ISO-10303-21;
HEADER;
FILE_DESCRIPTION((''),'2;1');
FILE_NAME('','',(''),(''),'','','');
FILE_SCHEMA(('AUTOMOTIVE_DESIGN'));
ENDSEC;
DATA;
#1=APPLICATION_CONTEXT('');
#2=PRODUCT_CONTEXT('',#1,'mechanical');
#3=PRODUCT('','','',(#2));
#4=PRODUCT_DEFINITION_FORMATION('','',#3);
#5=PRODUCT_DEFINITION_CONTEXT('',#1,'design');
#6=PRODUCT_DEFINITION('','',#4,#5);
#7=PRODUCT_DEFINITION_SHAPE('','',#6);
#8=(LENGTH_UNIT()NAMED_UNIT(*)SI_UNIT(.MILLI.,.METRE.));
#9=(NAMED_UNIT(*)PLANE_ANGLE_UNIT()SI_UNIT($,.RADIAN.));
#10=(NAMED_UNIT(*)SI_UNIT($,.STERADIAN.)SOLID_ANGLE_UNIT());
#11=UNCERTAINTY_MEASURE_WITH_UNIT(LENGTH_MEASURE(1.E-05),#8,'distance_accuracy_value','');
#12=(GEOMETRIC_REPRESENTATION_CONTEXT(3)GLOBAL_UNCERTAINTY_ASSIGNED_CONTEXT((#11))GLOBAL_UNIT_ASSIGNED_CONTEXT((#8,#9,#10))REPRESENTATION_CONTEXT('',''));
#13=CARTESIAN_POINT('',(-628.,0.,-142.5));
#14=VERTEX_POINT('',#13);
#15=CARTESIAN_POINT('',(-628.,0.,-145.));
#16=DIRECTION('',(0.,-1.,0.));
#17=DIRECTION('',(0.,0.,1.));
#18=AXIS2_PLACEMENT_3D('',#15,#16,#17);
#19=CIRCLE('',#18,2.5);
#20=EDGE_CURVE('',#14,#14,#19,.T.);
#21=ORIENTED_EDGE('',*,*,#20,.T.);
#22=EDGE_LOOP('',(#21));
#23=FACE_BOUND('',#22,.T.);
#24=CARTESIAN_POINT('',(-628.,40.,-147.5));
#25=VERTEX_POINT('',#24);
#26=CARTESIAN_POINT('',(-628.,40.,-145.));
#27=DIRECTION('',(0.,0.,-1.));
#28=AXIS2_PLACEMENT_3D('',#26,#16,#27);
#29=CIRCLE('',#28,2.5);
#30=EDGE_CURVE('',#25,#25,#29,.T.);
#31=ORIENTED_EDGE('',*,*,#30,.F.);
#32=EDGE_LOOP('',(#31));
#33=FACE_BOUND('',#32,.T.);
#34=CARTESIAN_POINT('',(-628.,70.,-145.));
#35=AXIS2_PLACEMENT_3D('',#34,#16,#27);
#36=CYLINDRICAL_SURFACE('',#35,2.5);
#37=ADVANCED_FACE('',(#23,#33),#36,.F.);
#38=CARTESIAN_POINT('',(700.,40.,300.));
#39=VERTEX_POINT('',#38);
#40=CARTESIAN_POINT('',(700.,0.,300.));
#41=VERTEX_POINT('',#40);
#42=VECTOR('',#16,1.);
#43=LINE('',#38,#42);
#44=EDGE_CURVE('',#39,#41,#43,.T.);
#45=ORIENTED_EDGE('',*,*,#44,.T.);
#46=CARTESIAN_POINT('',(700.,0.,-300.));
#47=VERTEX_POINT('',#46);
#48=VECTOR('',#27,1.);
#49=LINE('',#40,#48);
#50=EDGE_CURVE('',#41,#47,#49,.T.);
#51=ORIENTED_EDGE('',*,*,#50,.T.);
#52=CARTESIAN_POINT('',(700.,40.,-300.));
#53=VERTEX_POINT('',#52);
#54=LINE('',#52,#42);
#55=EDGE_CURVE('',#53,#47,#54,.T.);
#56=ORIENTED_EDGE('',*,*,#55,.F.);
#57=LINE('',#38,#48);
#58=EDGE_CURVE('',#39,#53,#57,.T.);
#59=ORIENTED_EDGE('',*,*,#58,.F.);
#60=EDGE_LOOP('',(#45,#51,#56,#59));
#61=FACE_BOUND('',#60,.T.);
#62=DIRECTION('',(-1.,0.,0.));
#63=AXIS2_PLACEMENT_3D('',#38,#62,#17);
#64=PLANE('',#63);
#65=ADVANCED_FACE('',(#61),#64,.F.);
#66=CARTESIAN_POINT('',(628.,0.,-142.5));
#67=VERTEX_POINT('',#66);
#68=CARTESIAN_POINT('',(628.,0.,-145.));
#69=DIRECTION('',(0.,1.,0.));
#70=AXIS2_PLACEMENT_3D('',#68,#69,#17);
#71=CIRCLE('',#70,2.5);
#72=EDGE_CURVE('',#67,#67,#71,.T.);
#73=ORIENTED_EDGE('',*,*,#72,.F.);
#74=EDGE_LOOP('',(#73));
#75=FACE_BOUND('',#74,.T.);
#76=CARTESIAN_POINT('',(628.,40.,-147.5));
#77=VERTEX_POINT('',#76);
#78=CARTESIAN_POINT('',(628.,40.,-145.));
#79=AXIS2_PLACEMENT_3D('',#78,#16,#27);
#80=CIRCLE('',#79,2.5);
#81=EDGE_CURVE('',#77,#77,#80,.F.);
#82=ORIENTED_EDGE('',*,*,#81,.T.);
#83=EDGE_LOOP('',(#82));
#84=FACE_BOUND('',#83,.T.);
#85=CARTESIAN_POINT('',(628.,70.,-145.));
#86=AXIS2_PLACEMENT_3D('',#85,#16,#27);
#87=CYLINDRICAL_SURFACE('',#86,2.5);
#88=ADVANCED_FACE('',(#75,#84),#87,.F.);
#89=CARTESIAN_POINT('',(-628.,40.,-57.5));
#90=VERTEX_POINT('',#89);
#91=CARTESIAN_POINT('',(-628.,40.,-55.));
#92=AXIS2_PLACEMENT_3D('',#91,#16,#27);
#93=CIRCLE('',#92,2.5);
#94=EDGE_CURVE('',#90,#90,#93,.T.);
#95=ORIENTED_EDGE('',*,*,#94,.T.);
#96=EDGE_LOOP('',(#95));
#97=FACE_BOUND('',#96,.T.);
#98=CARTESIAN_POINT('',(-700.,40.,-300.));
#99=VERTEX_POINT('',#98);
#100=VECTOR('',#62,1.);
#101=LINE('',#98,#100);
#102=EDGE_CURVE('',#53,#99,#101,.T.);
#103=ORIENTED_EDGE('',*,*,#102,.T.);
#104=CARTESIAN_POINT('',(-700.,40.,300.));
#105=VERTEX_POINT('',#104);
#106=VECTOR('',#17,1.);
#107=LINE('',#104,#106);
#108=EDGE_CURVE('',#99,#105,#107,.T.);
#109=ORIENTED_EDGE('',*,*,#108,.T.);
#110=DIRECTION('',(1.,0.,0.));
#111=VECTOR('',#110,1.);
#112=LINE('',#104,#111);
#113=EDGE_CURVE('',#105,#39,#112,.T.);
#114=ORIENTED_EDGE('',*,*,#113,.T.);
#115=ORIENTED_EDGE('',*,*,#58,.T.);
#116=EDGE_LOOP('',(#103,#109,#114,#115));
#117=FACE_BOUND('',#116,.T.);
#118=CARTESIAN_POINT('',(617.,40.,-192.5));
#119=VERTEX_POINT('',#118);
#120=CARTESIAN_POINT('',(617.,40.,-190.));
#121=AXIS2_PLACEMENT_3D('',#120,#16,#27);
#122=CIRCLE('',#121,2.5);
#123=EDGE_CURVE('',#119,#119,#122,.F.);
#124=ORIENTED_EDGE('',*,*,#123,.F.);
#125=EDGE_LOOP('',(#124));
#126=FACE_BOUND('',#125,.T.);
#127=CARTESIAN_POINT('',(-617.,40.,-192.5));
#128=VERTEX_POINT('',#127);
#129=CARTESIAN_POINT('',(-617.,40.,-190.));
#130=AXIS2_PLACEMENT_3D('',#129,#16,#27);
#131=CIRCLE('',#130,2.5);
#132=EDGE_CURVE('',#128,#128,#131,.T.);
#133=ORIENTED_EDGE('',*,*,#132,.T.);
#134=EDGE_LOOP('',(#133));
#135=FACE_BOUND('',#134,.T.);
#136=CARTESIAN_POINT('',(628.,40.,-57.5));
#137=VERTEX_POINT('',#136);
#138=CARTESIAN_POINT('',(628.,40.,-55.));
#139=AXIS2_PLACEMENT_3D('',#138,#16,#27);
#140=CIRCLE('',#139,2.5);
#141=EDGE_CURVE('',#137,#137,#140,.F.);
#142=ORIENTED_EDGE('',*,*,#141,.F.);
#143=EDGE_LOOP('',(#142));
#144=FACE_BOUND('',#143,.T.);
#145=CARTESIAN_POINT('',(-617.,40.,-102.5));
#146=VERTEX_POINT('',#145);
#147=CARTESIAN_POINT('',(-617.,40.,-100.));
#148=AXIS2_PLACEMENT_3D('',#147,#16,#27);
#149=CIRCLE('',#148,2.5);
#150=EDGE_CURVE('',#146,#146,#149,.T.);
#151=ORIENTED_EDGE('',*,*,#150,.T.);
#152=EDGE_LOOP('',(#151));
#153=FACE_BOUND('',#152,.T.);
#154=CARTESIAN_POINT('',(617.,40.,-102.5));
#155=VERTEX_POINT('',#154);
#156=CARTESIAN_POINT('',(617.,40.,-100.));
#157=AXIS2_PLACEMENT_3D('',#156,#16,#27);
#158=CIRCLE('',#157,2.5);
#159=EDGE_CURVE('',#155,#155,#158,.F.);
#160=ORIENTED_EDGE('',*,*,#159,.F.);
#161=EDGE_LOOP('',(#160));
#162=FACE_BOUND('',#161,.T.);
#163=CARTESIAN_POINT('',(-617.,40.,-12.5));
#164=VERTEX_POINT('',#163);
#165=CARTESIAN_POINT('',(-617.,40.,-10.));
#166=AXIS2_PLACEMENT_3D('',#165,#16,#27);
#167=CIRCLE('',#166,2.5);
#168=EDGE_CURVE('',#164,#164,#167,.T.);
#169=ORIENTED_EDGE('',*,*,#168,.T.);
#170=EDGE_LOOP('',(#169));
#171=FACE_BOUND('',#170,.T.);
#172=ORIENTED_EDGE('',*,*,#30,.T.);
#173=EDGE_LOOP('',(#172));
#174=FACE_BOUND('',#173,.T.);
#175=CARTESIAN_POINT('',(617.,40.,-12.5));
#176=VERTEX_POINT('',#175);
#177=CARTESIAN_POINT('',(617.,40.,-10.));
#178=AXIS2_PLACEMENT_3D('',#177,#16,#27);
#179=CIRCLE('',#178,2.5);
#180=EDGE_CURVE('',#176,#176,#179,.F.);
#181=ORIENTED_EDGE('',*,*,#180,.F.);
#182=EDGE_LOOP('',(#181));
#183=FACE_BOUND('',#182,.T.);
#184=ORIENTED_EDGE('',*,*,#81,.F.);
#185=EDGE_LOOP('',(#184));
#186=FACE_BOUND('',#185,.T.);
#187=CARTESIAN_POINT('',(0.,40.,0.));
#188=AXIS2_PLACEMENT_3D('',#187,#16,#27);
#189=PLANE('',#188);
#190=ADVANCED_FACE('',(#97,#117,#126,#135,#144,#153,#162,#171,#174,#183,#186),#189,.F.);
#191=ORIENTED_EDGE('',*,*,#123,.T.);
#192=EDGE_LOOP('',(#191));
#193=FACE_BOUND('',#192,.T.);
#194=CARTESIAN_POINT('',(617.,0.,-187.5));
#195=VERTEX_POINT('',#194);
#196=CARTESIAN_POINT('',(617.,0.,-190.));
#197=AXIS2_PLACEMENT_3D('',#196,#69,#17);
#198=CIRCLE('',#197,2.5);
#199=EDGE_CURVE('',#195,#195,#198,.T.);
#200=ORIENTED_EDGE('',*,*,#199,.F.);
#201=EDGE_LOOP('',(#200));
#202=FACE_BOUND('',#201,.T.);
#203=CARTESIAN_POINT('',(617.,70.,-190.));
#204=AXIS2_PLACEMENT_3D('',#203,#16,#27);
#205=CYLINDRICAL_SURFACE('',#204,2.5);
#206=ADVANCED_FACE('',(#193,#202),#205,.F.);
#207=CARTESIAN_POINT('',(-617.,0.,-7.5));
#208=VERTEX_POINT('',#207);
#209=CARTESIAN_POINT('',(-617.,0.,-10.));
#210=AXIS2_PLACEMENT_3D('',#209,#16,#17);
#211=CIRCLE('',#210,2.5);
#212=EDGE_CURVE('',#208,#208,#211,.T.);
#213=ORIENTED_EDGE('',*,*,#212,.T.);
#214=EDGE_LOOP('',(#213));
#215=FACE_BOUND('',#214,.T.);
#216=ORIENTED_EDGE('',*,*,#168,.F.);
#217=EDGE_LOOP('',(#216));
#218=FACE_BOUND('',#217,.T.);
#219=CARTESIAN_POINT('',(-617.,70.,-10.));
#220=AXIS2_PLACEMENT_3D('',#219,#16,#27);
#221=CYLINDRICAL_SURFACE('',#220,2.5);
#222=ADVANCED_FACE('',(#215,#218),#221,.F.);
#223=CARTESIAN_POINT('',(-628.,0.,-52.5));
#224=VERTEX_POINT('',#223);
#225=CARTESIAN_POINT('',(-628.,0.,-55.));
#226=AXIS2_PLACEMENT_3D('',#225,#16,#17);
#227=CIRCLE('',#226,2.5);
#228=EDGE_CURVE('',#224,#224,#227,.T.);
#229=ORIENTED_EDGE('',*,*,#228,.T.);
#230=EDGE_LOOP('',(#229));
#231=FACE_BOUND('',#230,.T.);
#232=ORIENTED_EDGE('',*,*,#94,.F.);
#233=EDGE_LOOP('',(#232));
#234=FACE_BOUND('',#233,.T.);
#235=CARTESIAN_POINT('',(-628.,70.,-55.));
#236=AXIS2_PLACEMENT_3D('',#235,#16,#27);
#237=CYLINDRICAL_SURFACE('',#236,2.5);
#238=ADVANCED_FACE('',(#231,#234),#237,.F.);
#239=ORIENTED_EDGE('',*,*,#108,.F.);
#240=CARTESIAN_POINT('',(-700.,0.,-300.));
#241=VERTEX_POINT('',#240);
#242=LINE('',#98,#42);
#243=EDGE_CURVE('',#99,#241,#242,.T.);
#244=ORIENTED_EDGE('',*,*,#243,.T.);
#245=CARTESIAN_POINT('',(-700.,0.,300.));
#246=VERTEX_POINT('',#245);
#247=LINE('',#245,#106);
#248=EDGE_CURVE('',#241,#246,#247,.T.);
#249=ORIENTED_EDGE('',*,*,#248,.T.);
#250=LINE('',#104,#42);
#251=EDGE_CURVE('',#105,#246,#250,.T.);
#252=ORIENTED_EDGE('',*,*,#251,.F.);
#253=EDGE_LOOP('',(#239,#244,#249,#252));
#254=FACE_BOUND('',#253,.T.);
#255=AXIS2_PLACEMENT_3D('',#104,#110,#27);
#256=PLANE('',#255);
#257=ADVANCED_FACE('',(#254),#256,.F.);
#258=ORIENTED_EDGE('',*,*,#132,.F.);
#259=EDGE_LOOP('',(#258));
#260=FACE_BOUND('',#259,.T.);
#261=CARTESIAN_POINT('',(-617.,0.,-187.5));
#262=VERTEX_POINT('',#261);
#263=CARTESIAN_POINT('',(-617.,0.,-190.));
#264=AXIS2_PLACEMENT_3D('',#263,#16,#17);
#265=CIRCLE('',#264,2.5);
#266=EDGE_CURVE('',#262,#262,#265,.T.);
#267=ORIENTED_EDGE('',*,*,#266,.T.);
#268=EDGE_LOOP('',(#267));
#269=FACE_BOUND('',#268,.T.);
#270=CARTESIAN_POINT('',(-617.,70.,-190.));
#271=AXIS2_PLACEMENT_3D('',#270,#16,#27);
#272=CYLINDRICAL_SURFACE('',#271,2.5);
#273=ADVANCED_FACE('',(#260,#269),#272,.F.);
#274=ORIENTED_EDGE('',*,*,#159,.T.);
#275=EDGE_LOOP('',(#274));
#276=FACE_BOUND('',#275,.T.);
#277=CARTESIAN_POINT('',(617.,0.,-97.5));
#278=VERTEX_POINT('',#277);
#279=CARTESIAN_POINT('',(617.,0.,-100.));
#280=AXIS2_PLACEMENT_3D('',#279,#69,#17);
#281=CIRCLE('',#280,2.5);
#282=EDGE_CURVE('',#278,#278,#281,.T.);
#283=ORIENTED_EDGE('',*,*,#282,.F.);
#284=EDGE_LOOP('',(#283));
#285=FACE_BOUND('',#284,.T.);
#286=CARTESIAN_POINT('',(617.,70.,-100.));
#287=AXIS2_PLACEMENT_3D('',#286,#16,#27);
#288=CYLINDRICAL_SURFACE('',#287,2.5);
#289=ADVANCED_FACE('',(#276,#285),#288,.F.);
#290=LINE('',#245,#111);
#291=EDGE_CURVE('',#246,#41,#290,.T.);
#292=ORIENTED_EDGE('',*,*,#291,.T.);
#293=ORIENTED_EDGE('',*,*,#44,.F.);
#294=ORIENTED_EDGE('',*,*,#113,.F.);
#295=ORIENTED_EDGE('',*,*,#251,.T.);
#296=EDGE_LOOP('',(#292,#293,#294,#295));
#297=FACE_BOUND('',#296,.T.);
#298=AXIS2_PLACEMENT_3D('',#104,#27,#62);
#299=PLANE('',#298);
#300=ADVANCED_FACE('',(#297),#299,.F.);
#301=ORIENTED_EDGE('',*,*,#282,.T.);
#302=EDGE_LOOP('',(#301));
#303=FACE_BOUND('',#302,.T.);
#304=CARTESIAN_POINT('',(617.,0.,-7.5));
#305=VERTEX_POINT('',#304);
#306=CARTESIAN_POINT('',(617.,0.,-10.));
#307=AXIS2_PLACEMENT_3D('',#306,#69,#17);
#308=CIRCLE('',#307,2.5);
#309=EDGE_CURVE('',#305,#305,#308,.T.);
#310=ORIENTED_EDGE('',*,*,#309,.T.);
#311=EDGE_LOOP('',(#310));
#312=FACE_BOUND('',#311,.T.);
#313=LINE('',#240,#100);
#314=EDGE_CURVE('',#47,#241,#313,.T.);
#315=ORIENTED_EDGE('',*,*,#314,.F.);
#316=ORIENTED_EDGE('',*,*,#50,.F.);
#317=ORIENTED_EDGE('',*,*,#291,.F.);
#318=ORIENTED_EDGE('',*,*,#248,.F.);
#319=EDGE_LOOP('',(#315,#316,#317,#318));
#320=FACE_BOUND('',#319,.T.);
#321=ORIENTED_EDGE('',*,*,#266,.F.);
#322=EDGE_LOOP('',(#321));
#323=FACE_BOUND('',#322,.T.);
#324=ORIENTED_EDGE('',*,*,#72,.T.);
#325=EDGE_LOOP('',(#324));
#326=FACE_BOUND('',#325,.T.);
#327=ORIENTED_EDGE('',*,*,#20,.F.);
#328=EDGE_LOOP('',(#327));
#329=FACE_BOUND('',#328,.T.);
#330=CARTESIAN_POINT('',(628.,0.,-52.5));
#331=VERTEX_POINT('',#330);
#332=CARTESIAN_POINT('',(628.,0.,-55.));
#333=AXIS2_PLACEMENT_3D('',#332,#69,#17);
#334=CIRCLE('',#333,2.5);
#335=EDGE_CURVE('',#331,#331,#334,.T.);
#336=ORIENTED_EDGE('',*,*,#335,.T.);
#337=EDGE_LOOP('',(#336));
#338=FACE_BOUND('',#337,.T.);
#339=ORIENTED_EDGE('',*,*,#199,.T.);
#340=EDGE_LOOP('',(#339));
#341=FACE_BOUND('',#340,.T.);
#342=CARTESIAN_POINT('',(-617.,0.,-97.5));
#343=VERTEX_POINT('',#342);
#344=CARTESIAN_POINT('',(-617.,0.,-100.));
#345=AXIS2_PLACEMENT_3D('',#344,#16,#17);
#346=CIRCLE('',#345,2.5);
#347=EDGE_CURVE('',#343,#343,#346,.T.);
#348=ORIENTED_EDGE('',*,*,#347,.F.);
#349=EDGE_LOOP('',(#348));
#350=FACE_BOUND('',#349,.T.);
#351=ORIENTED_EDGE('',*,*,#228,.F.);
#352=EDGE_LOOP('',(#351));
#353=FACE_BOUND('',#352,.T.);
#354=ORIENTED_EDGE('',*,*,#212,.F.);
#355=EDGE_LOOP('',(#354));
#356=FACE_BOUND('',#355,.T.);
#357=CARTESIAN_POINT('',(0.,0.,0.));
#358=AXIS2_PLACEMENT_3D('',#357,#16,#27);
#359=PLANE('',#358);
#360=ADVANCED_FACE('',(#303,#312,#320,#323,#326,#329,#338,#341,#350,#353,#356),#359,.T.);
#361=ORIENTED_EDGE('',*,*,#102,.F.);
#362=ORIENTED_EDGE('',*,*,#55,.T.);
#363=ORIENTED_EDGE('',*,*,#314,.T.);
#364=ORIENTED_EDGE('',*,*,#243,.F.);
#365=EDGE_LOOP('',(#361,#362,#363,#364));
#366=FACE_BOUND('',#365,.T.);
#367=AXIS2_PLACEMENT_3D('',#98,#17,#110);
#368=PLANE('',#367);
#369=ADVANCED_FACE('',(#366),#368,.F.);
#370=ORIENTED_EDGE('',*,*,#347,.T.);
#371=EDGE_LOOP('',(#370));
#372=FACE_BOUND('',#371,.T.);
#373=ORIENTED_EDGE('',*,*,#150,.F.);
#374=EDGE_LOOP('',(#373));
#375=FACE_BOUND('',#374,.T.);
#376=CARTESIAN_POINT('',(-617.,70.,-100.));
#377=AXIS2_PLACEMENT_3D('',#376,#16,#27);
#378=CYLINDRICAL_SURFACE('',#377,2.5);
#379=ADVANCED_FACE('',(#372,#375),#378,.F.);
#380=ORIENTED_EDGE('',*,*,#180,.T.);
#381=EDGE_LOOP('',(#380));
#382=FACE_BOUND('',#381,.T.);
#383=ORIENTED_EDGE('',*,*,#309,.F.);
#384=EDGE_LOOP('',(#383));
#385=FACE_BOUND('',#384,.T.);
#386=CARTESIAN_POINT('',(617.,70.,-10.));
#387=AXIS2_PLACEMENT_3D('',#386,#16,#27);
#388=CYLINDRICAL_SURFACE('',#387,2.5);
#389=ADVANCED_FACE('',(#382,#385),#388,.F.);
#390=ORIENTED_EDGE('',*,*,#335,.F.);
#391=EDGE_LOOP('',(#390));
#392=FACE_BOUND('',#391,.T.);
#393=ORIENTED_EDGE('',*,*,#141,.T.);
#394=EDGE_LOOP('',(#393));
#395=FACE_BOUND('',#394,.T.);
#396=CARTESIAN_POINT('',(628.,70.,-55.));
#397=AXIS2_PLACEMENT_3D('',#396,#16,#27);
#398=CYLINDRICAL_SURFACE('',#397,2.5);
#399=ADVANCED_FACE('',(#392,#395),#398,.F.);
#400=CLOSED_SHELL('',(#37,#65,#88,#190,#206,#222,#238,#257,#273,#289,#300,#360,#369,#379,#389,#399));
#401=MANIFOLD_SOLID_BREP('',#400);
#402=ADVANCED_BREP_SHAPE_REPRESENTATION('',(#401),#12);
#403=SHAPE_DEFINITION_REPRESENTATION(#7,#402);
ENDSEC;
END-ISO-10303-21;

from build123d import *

# Parameters (mm, degrees)
SKETCH1_W           = 1400
SKETCH1_H           = 600
BOSS_EXTRUDE1_DEPTH = 40
SKETCH2_R           = 2.5
CUT_EXTRUDE9_DEPTH  = 70


with BuildPart() as part:
    # Sketch1 → Boss-Extrude1 (new body)
    with BuildSketch(Plane(origin=(0, 0, 0), x_dir=(1, 0, 0), z_dir=(0, 1, 0))):
        Rectangle(SKETCH1_W, SKETCH1_H)
    extrude(amount=BOSS_EXTRUDE1_DEPTH)

    # Sketch2 → Cut-Extrude9 (cut)
    with BuildSketch(Plane(origin=(0, 0, 0), x_dir=(1, 0, 0), z_dir=(0, 1, 0))):
        with Locations(Location((617, 10, 0), (0, 0, 90))):
            Circle(SKETCH2_R)
        with Locations(Location((628, 55, 0), (0, 0, 90))):
            Circle(SKETCH2_R)
        with Locations(Location((617, 100, 0), (0, 0, 90))):
            Circle(SKETCH2_R)
        with Locations(Location((628, 145, 0), (0, 0, 90))):
            Circle(SKETCH2_R)
        with Locations(Location((617, 190, 0), (0, 0, 90))):
            Circle(SKETCH2_R)
    cut_extrude9 = extrude(amount=CUT_EXTRUDE9_DEPTH, mode=Mode.SUBTRACT)

    # Mirror1: Cut-Extrude9 across plane
    add(cut_extrude9.mirror(Plane.ZY), mode=Mode.SUBTRACT)


solid = part.part
